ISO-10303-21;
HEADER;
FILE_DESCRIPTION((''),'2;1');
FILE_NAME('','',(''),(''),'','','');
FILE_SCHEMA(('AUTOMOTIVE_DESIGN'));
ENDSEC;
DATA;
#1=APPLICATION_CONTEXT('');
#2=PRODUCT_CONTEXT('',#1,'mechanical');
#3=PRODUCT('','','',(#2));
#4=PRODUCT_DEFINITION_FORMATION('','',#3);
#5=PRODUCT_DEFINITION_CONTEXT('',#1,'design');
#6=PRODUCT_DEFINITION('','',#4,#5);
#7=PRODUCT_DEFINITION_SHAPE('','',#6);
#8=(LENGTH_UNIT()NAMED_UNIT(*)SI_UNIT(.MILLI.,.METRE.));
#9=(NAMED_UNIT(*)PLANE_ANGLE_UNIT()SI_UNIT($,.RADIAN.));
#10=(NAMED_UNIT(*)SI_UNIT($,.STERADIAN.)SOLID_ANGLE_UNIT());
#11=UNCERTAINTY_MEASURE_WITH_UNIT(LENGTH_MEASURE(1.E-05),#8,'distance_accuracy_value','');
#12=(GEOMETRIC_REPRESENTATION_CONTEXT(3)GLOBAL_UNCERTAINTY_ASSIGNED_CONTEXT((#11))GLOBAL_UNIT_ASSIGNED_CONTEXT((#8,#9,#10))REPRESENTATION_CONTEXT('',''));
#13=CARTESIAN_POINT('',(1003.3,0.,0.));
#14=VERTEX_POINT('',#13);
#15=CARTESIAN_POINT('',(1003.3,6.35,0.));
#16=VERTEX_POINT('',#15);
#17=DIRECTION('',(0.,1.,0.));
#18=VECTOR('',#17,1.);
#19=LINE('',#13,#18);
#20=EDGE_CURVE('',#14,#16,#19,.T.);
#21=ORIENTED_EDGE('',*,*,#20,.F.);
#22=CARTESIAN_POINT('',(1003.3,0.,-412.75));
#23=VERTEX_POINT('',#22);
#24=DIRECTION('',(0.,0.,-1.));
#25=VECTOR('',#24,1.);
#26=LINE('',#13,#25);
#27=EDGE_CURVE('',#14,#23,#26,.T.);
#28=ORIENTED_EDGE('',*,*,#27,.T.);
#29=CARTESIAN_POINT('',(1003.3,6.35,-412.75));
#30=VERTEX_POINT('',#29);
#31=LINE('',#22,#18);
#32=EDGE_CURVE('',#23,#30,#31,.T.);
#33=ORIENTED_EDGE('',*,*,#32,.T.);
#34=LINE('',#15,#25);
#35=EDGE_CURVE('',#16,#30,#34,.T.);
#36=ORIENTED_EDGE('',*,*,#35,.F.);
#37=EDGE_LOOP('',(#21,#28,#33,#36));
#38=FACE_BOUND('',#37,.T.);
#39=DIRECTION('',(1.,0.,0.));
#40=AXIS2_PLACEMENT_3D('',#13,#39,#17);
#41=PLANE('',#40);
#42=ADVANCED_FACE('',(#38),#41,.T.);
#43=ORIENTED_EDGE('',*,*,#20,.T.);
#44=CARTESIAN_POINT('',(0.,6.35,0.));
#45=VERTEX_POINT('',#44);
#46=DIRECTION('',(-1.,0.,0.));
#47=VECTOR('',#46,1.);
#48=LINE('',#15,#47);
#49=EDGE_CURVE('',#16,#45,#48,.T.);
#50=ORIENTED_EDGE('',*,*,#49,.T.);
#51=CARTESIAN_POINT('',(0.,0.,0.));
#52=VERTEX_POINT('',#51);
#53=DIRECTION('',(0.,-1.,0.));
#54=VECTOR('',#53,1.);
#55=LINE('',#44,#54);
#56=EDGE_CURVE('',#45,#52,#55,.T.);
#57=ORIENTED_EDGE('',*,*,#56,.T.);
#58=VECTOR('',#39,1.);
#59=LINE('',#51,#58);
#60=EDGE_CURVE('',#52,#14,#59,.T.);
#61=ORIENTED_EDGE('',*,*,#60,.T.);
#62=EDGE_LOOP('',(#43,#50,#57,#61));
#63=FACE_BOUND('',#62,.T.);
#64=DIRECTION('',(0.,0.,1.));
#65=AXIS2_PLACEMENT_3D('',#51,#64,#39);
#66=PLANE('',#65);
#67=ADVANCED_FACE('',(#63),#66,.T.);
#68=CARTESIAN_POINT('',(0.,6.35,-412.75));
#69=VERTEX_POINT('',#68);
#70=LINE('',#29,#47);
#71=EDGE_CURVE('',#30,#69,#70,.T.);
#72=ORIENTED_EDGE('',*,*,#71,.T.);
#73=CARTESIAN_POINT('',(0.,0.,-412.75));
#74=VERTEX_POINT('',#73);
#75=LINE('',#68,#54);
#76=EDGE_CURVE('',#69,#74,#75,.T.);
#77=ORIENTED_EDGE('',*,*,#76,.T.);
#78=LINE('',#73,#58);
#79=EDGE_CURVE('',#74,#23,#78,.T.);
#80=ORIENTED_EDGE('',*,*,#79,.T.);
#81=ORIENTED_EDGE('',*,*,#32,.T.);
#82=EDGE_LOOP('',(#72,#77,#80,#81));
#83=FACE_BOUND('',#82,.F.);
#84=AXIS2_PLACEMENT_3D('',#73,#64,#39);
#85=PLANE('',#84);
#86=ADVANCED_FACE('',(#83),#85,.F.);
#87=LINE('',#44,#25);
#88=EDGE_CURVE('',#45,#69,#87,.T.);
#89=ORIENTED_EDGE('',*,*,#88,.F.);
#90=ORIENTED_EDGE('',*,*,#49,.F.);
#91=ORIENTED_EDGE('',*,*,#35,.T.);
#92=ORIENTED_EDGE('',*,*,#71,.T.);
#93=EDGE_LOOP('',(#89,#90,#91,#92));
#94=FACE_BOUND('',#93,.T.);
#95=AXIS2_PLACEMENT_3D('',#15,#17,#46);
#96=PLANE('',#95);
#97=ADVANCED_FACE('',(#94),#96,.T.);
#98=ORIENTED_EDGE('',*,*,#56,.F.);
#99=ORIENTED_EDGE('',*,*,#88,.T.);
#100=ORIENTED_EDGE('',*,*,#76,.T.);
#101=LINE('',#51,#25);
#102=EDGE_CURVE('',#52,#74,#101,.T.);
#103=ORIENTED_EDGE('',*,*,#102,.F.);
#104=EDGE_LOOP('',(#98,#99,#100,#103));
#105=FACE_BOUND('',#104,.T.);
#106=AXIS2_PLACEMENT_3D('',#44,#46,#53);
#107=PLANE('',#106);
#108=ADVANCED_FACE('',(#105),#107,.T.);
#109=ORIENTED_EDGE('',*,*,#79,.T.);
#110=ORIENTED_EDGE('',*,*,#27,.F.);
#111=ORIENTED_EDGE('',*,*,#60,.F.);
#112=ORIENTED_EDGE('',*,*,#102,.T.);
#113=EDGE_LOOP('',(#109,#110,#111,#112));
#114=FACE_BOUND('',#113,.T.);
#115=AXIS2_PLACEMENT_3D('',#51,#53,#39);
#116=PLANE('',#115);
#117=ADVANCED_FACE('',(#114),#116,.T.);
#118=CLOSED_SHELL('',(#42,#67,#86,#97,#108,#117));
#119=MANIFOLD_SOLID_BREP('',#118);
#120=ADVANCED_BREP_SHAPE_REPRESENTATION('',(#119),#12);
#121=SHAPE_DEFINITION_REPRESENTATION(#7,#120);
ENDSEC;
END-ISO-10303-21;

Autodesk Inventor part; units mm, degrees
ref_plane "YZ Plane" through (0, 0, 0) normal (1, 0, 0) x (0, 1, 0)
ref_plane "XZ Plane" through (0, 0, 0) normal (0, 1, 0) x (-1, 0, 0)
ref_plane "XY Plane" through (0, 0, 0) normal (0, 0, 1) x (1, 0, 0)
sketch "Sketch1" plane through (0, 0, 0) normal (0, 0, 1) x (1, 0, 0)
  line L0 (0, 0) -> (1003.3, 0)
  line L1 (1003.3, 0) -> (1003.3, 6.35)
  line L2 (1003.3, 6.35) -> (0, 6.35)
  line L3 (0, 6.35) -> (0, 0)
  dimension "d0" = 6.35
  dimension "d1" = 1003.3
extrude "Extrusion1" add sketch "Sketch1" against normal blind 412.75
properties part number "base"
